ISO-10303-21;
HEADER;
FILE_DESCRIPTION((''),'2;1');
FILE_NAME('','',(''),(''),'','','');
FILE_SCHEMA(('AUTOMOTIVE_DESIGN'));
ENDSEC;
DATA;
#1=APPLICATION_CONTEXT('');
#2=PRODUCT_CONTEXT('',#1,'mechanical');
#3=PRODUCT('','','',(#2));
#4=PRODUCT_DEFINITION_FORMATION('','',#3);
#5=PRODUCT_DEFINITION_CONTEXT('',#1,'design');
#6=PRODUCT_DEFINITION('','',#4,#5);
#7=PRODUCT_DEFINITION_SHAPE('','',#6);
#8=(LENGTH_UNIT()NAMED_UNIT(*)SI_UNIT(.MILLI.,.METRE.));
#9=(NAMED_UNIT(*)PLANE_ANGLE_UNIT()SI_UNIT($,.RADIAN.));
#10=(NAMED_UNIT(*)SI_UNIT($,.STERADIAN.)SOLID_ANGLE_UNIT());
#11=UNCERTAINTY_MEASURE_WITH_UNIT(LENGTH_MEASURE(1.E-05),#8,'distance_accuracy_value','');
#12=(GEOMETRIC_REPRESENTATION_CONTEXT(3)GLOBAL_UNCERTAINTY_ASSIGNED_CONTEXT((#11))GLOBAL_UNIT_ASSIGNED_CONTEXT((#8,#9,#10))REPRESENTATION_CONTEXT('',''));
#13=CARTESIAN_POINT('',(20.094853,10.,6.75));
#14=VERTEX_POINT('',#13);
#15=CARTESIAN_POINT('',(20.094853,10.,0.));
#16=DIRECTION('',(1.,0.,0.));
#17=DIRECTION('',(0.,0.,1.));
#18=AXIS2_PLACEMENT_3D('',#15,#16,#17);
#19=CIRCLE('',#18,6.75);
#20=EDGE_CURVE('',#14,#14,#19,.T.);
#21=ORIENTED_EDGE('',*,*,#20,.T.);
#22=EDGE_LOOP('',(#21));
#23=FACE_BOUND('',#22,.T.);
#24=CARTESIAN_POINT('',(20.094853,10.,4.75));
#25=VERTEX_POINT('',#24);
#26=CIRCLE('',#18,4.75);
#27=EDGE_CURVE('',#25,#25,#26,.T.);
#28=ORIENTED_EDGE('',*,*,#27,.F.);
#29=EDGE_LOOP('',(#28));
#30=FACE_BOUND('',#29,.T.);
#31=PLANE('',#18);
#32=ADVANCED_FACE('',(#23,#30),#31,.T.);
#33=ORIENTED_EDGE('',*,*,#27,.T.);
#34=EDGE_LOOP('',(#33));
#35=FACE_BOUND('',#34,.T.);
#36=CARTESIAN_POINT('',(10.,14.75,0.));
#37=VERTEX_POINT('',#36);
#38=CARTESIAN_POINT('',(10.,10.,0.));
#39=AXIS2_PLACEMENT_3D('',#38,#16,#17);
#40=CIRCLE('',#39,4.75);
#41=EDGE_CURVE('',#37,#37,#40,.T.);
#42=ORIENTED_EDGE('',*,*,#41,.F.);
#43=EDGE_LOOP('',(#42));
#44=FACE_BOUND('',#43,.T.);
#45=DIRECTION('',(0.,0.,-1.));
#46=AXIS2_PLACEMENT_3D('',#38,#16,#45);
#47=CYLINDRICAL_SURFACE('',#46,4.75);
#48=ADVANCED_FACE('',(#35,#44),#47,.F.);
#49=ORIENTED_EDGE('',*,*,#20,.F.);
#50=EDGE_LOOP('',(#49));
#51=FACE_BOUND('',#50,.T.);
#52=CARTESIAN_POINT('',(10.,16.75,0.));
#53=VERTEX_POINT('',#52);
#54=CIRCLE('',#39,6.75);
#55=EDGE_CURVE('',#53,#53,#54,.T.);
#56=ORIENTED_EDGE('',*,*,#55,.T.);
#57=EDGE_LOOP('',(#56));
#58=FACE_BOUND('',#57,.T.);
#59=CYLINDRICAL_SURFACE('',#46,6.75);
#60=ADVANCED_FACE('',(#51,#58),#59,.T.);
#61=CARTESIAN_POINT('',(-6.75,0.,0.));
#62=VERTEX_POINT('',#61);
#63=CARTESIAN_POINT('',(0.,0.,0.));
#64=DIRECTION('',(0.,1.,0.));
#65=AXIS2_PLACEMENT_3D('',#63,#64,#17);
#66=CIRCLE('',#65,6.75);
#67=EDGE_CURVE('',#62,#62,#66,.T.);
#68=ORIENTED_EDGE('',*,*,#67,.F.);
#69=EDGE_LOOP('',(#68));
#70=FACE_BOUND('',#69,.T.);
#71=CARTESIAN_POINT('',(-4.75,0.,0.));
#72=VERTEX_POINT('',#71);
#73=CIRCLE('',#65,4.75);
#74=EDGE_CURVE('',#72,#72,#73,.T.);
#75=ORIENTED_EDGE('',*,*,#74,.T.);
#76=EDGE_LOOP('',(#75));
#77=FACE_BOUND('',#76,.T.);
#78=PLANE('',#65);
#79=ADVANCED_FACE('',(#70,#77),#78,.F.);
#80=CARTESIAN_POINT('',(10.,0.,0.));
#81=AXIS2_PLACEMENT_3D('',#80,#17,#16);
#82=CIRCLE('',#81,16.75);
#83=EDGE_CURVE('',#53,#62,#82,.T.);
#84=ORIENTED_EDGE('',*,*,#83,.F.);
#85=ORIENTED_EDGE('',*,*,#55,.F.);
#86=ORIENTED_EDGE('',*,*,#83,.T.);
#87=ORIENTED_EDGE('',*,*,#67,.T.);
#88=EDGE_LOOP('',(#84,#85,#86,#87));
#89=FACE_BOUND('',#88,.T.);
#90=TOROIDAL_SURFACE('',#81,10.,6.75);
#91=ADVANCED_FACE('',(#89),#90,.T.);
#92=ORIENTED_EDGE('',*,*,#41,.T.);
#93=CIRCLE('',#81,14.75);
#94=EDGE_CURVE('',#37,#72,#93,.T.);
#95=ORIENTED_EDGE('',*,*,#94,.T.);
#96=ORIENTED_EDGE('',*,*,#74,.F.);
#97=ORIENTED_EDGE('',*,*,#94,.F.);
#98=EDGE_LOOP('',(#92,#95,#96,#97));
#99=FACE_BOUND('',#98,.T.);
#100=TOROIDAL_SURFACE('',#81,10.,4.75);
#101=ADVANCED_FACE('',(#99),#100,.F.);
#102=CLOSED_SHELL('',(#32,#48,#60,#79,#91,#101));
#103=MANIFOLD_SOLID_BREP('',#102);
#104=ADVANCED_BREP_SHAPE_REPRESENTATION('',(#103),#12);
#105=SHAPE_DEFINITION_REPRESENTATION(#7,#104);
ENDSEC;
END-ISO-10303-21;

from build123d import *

# Parameters (mm, degrees)
SKETCH2_R   = 6.75
SKETCH2_R_2 = 4.75


with BuildPart() as part:
    # Sweep1: sweep along a path in Sketch1
    with BuildLine(Plane.XY) as sweep1_path:
        Line((20.094853238, 10), (10, 10))
        ThreePointArc((10, 10), (2.928932188, 7.071067812), (0, 0))
    # Sketch2 → Sweep1 (sweep)
    with BuildSketch(Plane(origin=(0, 0, 0), x_dir=(1, 0, 0), z_dir=(0, 1, 0))):
        Circle(SKETCH2_R)
        Circle(SKETCH2_R_2, mode=Mode.SUBTRACT)
    sweep(path=sweep1_path.line)


solid = part.part
